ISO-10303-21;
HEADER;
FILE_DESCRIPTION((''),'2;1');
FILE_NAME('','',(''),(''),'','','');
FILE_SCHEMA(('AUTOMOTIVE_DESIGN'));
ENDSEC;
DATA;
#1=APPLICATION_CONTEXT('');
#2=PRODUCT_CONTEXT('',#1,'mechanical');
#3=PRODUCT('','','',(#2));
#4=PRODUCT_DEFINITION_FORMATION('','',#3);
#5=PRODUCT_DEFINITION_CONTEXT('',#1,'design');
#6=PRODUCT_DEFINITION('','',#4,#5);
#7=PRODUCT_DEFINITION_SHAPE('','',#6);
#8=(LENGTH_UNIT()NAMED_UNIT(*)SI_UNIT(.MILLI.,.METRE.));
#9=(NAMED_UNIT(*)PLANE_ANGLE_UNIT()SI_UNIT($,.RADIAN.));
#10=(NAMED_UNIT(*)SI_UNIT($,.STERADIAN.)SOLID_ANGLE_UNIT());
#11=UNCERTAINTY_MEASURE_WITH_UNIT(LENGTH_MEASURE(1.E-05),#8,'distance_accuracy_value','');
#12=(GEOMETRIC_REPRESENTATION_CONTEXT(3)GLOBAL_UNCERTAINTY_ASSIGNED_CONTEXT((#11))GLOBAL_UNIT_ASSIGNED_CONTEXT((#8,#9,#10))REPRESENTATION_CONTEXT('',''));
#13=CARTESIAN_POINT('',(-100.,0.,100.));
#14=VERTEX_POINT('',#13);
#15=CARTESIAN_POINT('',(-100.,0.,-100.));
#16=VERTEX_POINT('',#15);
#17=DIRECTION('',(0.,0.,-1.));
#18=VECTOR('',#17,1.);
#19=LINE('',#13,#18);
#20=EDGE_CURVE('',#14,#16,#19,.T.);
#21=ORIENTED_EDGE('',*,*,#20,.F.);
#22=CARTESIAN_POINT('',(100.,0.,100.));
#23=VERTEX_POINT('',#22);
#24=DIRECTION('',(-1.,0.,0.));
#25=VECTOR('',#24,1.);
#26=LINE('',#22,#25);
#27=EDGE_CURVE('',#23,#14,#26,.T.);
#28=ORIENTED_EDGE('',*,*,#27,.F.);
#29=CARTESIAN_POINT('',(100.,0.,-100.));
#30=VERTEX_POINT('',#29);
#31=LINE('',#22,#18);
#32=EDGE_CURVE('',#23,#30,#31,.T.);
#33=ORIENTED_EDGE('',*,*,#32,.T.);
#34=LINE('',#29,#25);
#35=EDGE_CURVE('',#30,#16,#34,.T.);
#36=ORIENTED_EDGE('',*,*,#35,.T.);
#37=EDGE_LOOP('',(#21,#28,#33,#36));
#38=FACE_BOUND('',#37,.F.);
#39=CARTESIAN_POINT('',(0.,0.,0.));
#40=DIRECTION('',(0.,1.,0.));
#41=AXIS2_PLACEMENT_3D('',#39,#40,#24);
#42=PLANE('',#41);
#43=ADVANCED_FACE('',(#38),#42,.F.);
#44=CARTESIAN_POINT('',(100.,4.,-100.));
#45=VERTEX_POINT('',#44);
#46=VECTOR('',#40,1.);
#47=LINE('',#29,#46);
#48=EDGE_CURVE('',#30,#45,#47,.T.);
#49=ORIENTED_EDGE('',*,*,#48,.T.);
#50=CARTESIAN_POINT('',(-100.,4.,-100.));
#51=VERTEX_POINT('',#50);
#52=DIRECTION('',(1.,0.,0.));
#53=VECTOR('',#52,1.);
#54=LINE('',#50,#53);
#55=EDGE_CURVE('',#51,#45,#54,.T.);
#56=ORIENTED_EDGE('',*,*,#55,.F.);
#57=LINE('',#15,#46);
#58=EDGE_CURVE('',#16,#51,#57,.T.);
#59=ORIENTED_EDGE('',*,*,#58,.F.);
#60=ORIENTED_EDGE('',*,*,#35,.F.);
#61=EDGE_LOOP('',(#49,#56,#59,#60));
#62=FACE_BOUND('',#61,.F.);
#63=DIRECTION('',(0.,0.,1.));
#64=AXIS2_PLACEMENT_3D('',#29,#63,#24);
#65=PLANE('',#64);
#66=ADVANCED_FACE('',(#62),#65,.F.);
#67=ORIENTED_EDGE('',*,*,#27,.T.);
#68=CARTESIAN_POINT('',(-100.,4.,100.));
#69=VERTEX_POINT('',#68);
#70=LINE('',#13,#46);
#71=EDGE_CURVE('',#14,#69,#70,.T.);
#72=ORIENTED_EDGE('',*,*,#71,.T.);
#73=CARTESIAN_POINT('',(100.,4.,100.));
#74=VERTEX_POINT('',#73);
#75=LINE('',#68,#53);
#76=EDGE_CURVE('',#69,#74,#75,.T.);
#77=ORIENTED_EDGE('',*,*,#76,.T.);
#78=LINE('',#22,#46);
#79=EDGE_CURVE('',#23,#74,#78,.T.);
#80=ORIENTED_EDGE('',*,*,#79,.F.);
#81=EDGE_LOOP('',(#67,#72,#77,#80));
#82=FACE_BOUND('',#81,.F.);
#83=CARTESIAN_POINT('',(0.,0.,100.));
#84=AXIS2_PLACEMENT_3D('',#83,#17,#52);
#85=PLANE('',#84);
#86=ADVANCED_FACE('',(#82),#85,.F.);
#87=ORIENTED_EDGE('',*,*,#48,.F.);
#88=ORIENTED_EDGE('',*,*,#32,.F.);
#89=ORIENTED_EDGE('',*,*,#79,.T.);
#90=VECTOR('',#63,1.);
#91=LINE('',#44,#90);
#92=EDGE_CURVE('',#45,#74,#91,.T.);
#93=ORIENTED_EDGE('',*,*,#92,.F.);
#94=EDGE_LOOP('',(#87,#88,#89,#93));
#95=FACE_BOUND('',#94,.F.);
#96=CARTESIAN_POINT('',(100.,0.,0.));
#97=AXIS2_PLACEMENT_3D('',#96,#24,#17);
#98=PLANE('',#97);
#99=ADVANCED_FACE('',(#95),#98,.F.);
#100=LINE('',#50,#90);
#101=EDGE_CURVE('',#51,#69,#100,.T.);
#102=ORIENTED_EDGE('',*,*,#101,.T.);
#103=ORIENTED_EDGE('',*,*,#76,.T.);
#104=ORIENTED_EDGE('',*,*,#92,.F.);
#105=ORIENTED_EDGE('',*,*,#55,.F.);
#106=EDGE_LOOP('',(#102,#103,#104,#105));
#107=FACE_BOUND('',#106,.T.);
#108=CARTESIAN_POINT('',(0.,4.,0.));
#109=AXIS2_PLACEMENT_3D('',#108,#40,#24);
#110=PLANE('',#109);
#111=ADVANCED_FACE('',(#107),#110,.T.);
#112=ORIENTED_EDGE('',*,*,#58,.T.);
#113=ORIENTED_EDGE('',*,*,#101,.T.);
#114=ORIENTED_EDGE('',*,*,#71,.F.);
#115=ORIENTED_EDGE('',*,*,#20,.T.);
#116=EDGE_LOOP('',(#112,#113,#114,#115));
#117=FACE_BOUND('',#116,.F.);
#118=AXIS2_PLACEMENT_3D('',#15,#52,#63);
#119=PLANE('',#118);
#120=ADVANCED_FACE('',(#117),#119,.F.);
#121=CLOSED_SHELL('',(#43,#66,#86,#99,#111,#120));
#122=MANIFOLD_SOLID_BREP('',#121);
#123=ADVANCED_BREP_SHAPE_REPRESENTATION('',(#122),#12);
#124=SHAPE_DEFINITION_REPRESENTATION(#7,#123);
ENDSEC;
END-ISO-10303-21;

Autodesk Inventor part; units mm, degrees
ref_plane "YZ Plane" through (0, 0, 0) normal (1, 0, 0) x (0, 1, 0)
ref_plane "XZ Plane" through (0, 0, 0) normal (0, 1, 0) x (-1, 0, 0)
ref_plane "XY Plane" through (0, 0, 0) normal (0, 0, 1) x (1, 0, 0)
sketch "Sketch1" plane through (0, 0, 0) normal (0, 1, 0) x (-1, 0, 0)
  line L0 (0, -140) -> (0, 140)
  line L1 (-140, 0) -> (140, 0)
  line L2 (100, 100) -> (-100, 100)
  line L3 (-100, 100) -> (-100, -100)
  line L4 (-100, -100) -> (100, -100)
  line L5 (100, -100) -> (100, 100)
  point P0 (0, 0)
  dimension "d0" = 200
  dimension "d1" = 200
extrude "Plate1" add sketch "Sketch1" along normal blind 4
equation "\"d1\" = d0"
equation "\"d2\" = Thickness"
equation "\"BendRadius\" = Thickness"
equation "\"BendReliefWidth\" = Thickness"
equation "\"BendReliefDepth\" = 0.5 * Thickness"
equation "\"CornerReliefSize\" = 4 * Thickness"
equation "\"MinimumRemnant\" = 2 * Thickness"
equation "\"TransitionRadius\" = BendRadius"
equation "\"JacobiRadiusSize\" = BendRadius"
equation "\"GapSize\" = Thickness"
equation "\"Thickness\" = 4"
properties part number "BOTTOM_PART_BOX" material "Wood (Birch)"
